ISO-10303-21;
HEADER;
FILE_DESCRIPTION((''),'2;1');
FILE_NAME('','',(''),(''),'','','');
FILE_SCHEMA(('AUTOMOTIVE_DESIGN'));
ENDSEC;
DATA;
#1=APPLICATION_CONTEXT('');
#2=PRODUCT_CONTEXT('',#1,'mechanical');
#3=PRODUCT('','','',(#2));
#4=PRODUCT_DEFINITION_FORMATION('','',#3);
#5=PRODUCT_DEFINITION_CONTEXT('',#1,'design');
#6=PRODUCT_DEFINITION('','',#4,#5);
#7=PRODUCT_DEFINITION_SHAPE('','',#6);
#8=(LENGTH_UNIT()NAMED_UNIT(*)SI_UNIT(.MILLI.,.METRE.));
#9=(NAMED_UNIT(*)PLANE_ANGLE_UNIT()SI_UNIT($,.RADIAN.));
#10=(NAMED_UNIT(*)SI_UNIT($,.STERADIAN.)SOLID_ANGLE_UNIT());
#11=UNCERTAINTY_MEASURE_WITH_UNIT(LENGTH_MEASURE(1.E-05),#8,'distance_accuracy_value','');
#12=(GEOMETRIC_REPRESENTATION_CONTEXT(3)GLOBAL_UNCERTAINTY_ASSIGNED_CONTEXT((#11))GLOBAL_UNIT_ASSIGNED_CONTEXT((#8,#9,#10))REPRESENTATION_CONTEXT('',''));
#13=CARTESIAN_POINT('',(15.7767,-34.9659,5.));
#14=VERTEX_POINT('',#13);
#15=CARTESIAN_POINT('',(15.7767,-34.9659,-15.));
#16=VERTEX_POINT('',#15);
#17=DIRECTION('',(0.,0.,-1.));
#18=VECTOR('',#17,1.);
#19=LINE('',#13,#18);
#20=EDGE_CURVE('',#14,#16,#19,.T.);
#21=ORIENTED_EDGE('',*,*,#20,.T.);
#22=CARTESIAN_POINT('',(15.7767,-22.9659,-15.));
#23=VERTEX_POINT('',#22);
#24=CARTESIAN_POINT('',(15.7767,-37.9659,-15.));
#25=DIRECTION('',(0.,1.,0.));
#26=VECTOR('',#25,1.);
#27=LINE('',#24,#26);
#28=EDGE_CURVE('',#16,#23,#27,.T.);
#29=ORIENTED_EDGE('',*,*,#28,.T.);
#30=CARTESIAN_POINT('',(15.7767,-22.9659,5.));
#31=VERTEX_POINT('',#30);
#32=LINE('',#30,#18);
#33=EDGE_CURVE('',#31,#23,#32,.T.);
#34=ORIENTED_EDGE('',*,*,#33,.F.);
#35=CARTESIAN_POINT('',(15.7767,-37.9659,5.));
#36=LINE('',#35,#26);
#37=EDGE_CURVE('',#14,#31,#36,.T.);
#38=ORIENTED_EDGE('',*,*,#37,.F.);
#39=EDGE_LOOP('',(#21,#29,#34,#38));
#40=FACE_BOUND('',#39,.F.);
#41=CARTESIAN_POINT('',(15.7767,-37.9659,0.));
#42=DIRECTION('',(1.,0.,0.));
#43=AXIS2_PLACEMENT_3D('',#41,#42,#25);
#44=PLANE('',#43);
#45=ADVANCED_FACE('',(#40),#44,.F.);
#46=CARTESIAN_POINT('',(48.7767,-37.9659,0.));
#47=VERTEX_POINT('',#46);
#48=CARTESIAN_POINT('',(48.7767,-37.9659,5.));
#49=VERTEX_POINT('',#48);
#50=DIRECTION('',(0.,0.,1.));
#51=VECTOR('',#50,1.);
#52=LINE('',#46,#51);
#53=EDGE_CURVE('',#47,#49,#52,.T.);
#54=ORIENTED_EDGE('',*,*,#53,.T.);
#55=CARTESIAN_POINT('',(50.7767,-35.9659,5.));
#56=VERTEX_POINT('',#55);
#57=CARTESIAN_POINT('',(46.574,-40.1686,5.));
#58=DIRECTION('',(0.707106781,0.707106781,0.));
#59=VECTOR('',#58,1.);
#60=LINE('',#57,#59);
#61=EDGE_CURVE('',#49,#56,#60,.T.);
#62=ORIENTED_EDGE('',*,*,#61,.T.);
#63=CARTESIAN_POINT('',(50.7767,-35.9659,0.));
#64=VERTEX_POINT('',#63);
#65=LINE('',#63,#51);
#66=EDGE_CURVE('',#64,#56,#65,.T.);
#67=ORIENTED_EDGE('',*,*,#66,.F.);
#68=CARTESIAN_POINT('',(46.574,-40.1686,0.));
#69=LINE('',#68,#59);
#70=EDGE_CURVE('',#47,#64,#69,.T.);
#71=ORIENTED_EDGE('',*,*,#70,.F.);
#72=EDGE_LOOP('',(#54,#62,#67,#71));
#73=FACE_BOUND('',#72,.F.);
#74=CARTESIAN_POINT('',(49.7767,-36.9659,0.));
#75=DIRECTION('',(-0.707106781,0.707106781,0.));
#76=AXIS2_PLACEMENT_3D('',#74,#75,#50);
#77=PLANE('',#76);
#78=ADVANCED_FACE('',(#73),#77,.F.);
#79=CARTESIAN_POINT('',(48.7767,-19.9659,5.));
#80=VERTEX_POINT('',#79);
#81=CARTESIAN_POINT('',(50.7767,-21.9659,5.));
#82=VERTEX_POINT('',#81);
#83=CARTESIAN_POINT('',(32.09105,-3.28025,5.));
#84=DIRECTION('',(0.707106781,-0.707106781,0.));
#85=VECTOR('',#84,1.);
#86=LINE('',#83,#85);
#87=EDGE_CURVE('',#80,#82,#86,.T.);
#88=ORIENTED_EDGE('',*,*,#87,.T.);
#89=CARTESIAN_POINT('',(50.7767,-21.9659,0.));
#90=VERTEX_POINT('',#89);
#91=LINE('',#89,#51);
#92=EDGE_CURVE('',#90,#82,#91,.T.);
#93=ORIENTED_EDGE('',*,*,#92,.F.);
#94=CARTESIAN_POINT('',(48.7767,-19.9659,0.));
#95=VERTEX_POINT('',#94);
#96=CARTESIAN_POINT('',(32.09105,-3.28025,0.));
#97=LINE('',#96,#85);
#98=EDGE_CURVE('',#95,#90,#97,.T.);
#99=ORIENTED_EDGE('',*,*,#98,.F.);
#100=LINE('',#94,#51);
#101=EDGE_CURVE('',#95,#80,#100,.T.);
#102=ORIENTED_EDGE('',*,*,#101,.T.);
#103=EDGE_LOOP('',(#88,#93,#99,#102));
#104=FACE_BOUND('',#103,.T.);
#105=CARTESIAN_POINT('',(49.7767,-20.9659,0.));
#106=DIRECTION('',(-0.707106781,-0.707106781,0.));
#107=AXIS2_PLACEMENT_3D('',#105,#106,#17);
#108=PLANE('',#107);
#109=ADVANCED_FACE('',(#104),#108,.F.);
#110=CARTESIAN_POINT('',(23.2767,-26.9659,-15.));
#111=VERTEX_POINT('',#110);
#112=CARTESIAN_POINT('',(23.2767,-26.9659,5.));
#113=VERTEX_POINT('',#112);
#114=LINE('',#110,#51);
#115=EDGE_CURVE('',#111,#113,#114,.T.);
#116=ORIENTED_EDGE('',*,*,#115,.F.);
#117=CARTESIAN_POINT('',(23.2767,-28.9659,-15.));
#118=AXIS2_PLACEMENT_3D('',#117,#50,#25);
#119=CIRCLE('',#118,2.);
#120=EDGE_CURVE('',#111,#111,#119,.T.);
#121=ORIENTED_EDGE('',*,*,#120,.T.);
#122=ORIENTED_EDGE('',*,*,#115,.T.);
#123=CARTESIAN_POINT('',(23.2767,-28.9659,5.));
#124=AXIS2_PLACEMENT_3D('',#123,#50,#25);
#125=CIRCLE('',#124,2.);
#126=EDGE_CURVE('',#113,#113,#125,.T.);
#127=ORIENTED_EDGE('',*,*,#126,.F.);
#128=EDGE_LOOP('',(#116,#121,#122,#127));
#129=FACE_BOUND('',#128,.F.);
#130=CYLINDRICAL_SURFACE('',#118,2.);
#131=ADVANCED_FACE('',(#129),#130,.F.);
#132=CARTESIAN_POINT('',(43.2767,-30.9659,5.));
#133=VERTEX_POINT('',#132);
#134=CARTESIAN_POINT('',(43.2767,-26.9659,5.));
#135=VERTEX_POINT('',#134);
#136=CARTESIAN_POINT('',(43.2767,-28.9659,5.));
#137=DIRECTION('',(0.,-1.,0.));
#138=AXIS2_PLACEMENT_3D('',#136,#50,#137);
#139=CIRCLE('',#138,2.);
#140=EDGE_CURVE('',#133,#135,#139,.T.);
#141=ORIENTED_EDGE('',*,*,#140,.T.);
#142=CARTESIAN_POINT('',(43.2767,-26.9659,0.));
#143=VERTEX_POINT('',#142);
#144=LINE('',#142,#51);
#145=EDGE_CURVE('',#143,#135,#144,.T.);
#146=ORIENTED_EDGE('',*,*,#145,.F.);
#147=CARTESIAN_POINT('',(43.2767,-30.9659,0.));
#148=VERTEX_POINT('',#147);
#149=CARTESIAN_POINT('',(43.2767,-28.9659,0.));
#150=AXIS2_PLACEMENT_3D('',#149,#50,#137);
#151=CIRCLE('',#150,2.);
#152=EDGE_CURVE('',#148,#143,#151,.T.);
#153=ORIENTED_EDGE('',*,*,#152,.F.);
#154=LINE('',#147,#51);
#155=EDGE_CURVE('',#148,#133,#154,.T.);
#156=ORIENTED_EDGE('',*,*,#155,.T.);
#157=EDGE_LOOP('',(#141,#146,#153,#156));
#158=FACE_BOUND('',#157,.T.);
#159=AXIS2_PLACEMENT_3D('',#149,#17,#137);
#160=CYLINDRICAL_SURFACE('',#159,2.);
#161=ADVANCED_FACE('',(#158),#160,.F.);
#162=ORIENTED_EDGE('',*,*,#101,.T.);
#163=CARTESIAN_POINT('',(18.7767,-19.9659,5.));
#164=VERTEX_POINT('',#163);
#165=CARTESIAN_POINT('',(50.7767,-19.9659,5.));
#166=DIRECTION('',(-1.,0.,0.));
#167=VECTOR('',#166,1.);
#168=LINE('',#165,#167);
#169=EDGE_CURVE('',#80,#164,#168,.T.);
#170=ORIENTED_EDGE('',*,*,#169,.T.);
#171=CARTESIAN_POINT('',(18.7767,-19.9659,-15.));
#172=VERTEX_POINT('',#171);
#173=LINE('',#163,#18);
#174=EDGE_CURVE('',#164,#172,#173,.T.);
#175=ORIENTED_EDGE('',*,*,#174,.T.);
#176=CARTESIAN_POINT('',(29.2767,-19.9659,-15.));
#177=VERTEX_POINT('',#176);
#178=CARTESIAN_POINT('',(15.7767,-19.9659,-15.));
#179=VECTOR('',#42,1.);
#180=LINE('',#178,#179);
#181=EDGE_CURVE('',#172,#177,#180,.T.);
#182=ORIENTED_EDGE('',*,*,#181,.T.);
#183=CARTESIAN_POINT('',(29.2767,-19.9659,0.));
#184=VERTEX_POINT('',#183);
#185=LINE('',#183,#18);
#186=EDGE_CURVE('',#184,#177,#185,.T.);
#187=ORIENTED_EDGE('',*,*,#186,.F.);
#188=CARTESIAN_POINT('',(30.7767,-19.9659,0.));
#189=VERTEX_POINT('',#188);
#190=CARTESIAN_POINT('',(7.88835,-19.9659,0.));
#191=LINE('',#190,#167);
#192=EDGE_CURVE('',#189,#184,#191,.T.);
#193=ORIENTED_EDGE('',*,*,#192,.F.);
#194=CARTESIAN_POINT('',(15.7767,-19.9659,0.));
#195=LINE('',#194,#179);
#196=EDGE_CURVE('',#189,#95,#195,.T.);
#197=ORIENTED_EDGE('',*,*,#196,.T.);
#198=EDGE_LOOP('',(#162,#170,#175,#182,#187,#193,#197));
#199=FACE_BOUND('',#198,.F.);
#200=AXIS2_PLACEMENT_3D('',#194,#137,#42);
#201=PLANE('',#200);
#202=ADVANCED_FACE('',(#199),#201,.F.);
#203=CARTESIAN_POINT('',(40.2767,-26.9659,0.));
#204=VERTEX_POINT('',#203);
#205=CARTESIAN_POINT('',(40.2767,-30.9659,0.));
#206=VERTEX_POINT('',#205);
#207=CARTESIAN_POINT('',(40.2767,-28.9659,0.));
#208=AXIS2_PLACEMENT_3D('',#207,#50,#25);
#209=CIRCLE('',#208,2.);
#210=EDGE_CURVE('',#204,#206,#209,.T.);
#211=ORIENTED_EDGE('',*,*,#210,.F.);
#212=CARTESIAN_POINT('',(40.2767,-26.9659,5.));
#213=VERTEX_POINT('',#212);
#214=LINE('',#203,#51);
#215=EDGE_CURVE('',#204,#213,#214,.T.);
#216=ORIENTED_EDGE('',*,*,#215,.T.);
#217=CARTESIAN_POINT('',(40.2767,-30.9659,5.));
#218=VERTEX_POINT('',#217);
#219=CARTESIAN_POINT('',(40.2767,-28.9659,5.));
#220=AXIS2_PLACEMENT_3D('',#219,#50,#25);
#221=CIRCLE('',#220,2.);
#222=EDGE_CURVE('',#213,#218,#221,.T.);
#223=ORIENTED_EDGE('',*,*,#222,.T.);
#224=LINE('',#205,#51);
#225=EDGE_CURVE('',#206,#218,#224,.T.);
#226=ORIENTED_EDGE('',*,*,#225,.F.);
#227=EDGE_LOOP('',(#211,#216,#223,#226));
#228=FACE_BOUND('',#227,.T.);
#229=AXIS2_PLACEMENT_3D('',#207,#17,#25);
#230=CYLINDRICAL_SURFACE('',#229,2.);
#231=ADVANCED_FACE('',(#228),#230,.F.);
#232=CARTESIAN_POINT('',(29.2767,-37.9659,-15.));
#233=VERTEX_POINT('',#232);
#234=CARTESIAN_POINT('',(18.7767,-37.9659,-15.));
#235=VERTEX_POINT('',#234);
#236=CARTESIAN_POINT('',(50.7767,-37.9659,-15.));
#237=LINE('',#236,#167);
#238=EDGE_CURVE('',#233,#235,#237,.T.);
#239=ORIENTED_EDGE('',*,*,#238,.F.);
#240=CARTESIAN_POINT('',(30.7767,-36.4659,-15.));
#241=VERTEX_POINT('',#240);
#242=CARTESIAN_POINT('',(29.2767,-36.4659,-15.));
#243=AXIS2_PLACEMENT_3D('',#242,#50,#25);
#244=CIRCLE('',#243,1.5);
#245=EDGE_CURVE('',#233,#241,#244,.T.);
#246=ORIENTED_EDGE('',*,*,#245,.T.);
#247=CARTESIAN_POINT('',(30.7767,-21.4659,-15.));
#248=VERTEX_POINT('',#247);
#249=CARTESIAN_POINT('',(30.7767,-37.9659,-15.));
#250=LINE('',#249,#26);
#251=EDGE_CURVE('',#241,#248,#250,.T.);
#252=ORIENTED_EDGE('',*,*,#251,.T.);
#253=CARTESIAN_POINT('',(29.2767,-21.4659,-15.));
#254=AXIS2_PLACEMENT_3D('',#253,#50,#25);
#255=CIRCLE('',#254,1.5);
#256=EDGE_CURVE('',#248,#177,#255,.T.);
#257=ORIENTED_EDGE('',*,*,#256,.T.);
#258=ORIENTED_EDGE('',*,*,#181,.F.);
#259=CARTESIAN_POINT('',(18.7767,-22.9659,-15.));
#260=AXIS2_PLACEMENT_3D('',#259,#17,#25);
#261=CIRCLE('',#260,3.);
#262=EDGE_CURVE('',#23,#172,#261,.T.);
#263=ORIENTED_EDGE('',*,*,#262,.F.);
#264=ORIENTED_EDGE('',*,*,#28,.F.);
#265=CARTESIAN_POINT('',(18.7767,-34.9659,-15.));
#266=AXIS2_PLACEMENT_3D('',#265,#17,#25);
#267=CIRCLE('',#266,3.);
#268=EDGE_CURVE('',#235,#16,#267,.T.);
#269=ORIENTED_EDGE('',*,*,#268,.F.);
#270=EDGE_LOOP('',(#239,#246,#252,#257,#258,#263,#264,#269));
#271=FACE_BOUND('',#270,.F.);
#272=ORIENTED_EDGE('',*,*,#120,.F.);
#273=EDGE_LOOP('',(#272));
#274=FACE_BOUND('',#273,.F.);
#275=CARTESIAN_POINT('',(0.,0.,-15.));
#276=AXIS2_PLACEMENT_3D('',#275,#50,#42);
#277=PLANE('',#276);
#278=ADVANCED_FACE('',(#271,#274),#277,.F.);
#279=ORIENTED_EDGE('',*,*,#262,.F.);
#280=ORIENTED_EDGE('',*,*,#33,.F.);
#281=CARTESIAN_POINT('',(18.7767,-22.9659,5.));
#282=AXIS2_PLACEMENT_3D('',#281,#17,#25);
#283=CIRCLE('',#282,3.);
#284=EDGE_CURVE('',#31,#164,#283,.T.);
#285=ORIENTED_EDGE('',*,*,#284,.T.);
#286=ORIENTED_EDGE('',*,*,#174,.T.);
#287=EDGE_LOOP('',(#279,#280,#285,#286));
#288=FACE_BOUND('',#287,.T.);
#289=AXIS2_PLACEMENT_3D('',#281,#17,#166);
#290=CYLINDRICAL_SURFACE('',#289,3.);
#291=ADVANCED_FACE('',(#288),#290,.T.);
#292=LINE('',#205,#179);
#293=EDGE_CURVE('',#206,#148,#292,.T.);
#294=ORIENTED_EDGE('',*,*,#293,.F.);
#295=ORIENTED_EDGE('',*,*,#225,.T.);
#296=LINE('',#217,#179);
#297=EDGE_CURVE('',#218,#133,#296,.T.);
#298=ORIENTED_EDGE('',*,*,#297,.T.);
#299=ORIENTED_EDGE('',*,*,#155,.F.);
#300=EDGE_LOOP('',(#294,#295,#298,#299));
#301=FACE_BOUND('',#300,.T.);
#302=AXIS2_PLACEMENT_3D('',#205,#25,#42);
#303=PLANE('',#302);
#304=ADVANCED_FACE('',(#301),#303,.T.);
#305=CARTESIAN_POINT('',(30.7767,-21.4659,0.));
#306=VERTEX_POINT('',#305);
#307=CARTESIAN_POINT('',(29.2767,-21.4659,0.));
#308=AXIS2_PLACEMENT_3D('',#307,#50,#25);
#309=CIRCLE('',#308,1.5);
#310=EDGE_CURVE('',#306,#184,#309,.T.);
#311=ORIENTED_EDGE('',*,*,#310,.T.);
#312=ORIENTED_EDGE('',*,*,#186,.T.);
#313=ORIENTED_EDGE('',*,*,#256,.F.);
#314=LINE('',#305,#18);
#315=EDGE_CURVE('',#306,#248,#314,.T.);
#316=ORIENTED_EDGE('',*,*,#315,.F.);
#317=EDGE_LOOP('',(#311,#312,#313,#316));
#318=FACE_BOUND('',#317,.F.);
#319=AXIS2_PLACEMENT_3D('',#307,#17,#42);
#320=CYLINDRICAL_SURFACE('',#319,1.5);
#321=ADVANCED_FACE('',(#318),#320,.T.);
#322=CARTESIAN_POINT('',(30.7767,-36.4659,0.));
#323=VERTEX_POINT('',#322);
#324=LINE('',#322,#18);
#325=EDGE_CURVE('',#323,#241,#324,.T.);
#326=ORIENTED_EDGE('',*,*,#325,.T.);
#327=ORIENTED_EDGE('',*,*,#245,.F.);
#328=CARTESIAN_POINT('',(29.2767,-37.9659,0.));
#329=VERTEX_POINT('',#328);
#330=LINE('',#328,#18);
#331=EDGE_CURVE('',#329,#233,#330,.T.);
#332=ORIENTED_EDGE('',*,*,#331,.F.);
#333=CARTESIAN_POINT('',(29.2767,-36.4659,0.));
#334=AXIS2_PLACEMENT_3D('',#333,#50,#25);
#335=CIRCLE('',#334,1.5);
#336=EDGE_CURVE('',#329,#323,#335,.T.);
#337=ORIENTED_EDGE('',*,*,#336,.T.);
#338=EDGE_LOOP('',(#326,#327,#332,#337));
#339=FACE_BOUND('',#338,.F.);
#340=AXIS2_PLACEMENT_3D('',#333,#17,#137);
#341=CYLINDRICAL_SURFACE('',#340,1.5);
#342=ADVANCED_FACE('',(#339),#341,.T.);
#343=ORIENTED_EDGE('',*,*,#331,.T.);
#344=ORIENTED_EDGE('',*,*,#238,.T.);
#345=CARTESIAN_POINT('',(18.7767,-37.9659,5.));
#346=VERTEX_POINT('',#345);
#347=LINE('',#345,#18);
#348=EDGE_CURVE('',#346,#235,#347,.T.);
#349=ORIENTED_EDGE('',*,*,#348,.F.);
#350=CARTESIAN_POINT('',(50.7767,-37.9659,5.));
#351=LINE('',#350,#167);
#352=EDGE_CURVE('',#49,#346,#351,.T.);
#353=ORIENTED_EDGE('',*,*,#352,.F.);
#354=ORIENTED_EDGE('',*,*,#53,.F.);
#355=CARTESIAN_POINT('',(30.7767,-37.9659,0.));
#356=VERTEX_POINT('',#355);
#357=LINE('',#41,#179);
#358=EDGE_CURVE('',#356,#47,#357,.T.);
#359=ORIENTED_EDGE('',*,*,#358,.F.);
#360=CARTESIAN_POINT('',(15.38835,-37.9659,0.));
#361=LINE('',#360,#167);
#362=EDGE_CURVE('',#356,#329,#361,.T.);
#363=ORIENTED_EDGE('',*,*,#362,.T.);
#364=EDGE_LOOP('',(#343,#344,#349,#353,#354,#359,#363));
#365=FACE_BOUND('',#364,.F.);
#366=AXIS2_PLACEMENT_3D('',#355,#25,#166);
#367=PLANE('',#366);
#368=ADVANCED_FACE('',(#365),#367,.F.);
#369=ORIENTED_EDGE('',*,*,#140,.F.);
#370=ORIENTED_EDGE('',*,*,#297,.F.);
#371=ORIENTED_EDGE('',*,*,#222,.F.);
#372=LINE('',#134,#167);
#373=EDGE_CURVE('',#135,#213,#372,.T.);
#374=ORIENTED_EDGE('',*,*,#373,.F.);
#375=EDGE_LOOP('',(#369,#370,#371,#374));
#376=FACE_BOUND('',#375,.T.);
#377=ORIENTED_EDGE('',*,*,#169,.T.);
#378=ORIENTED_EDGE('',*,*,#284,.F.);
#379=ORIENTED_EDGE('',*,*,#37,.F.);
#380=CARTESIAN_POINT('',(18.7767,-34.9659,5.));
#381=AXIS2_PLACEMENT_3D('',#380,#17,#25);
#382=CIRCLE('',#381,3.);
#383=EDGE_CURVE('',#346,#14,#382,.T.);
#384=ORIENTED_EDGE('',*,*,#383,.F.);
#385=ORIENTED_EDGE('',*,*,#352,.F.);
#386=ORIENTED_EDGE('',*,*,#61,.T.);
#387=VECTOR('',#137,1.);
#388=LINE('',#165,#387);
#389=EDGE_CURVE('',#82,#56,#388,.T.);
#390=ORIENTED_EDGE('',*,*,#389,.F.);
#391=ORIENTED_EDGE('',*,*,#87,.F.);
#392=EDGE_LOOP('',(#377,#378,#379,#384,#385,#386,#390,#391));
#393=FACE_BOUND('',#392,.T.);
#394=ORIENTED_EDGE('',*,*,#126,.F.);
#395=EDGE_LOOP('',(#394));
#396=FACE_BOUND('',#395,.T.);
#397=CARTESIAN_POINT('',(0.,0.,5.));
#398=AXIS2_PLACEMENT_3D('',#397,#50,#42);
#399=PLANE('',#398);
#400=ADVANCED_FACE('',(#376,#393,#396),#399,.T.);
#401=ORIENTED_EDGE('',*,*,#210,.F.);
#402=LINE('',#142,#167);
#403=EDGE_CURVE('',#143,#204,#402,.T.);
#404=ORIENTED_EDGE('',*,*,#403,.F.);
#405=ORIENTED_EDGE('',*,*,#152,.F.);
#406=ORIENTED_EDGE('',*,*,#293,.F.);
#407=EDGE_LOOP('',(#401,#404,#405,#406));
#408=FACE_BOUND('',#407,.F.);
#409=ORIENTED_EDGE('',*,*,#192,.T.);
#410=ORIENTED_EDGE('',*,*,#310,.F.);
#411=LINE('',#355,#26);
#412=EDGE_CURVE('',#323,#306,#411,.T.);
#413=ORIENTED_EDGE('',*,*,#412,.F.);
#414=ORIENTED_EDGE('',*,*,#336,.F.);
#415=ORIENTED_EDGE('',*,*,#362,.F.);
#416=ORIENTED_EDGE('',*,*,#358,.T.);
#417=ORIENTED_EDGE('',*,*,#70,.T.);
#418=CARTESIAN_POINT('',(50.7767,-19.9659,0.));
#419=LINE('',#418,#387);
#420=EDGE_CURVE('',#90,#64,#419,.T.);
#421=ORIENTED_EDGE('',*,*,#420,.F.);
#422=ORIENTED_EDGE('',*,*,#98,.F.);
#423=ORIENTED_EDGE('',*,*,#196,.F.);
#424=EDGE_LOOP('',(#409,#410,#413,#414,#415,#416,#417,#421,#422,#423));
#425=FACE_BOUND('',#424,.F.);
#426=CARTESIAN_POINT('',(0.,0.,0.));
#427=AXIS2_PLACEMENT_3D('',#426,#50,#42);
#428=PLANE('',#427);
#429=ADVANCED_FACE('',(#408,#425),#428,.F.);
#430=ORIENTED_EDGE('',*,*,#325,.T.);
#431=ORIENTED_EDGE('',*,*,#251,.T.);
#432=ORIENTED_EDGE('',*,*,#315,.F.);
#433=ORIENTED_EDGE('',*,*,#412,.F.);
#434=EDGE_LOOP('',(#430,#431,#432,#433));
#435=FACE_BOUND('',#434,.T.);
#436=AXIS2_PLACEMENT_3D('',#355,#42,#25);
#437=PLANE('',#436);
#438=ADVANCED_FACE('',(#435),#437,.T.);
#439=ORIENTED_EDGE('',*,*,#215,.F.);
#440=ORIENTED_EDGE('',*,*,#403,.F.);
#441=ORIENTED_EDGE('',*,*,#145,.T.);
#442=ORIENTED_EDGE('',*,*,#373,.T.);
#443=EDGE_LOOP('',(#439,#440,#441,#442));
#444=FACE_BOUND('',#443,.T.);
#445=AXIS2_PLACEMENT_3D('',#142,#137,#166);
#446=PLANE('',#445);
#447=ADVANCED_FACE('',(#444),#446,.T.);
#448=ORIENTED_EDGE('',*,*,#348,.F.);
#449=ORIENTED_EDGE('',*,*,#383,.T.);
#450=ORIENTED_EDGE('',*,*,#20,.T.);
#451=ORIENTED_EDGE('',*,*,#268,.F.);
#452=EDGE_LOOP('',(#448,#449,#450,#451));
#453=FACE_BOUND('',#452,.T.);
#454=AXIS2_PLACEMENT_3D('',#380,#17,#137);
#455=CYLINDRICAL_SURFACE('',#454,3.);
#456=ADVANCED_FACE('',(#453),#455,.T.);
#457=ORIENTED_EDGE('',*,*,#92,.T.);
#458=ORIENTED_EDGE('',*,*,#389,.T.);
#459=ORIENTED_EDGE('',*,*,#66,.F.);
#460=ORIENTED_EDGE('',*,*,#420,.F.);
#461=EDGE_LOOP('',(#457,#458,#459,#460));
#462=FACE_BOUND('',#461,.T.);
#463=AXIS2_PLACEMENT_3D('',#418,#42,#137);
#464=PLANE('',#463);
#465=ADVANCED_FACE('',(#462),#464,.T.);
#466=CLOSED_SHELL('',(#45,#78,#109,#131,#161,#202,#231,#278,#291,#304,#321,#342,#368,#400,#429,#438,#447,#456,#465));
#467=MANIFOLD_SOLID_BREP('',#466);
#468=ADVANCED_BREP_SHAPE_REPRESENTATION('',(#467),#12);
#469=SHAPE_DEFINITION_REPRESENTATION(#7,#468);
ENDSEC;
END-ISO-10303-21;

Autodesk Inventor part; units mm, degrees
ref_plane "YZ Plane" through (0, 0, 0) normal (1, 0, 0) x (0, 1, 0)
ref_plane "XZ Plane" through (0, 0, 0) normal (0, 1, 0) x (-1, 0, 0)
ref_plane "XY Plane" through (0, 0, 0) normal (0, 0, 1) x (1, 0, 0)
sketch "Szkic1" plane through (0, 0, 0) normal (0, 0, 1) x (1, 0, 0)
  line L0 (14.7767, -38.9659) -> (51.7767, -38.9659)
  line L1 (51.7767, -38.9659) -> (51.7767, -18.9659)
  line L2 (51.7767, -18.9659) -> (14.7767, -18.9659)
  line L3 (43.2767, -28.9659) -> (40.2767, -28.9659) construction
  line L4 (43.2767, -26.9659) -> (40.2767, -26.9659)
  line L5 (40.2767, -30.9659) -> (43.2767, -30.9659)
  arc A0 (43.2767, -30.9659) -> (43.2767, -26.9659) centre (43.2767, -28.9659) ccw
  arc A1 (40.2767, -26.9659) -> (40.2767, -30.9659) centre (40.2767, -28.9659) ccw
  line L6 (14.7767, -38.9659) -> (14.7767, -18.9659)
  line L7 (50.7767, -37.9659) -> (15.7767, -37.9659)
  line L8 (15.7767, -37.9659) -> (15.7767, -19.9659)
  line L9 (15.7767, -19.9659) -> (50.7767, -19.9659)
  line L10 (50.7767, -19.9659) -> (50.7767, -37.9659)
  line L11 (30.7767, -37.9659) -> (30.7767, -19.9659)
  point P0 (0, 0)
  point P1 (41.7767, -28.9659)
  dimension "d0" = 20
  dimension "d1" = 37
  dimension "d2" = 10
  dimension "d3" = 10
  dimension "d4" = 1.5
  dimension "d5" = 4
  dimension "d6" = 37
  dimension "d7" = 1
  dimension "d8" = 20
extrude "Wyciągnięcie proste1" add sketch "Szkic1" along normal blind 5 contours L7 L11 L9 L10 | L7 L8 L9 L11
extrude "Wyciągnięcie proste2" add sketch "Szkic1" against normal blind 15 contours L7 L8 L9 L11
chamfer "Faza1" distance 2 angle 45 2 edges at (50.7767, -19.9659, 2.5) (50.7767, -37.9659, 2.5)
fillet "Zaokrąglenie1" radius 3 2 edges at (15.7767, -37.9659, -5) (15.7767, -19.9659, -5)
sketch "Szkic2" plane through (0, 0, -15) normal (0, 0, -1) x (-1, 0, 0)
  arc A0 (-15.7767, -22.9659) -> (-18.7767, -19.9659) centre (-18.7767, -22.9659) ccw projected
  line L0 (-18.7767, -19.9659) -> (-30.7767, -19.9659) projected
  line L1 (-30.7767, -19.9659) -> (-30.7767, -37.9659) projected
  line L2 (-30.7767, -37.9659) -> (-18.7767, -37.9659) projected
  arc A1 (-18.7767, -37.9659) -> (-15.7767, -34.9659) centre (-18.7767, -34.9659) ccw projected
  line L3 (-15.7767, -34.9659) -> (-15.7767, -22.9659) projected
  point P0 (0, 0)
  point P1 (-23.2767, -28.9659)
  dimension "d17" = 18
  dimension "d18" = 15
  dimension "d19" = 7.5
  dimension "d20" = 9
hole "Otwór1" at (23.2767, -28.9659, -15) direction (0, 0, 1) diameter 4 end through all
fillet "Zaokrąglenie2" radius 1.5 2 edges at (30.7767, -37.9659, -7.5) (30.7767, -19.9659, -7.5)
equation "\"d6\" = d1"
equation "\"d19\" = 0.5 * d18"
equation "\"d20\" = 0.5 * d17"
properties part number "3DP_ABS_X_End_Bearing_Mount"
